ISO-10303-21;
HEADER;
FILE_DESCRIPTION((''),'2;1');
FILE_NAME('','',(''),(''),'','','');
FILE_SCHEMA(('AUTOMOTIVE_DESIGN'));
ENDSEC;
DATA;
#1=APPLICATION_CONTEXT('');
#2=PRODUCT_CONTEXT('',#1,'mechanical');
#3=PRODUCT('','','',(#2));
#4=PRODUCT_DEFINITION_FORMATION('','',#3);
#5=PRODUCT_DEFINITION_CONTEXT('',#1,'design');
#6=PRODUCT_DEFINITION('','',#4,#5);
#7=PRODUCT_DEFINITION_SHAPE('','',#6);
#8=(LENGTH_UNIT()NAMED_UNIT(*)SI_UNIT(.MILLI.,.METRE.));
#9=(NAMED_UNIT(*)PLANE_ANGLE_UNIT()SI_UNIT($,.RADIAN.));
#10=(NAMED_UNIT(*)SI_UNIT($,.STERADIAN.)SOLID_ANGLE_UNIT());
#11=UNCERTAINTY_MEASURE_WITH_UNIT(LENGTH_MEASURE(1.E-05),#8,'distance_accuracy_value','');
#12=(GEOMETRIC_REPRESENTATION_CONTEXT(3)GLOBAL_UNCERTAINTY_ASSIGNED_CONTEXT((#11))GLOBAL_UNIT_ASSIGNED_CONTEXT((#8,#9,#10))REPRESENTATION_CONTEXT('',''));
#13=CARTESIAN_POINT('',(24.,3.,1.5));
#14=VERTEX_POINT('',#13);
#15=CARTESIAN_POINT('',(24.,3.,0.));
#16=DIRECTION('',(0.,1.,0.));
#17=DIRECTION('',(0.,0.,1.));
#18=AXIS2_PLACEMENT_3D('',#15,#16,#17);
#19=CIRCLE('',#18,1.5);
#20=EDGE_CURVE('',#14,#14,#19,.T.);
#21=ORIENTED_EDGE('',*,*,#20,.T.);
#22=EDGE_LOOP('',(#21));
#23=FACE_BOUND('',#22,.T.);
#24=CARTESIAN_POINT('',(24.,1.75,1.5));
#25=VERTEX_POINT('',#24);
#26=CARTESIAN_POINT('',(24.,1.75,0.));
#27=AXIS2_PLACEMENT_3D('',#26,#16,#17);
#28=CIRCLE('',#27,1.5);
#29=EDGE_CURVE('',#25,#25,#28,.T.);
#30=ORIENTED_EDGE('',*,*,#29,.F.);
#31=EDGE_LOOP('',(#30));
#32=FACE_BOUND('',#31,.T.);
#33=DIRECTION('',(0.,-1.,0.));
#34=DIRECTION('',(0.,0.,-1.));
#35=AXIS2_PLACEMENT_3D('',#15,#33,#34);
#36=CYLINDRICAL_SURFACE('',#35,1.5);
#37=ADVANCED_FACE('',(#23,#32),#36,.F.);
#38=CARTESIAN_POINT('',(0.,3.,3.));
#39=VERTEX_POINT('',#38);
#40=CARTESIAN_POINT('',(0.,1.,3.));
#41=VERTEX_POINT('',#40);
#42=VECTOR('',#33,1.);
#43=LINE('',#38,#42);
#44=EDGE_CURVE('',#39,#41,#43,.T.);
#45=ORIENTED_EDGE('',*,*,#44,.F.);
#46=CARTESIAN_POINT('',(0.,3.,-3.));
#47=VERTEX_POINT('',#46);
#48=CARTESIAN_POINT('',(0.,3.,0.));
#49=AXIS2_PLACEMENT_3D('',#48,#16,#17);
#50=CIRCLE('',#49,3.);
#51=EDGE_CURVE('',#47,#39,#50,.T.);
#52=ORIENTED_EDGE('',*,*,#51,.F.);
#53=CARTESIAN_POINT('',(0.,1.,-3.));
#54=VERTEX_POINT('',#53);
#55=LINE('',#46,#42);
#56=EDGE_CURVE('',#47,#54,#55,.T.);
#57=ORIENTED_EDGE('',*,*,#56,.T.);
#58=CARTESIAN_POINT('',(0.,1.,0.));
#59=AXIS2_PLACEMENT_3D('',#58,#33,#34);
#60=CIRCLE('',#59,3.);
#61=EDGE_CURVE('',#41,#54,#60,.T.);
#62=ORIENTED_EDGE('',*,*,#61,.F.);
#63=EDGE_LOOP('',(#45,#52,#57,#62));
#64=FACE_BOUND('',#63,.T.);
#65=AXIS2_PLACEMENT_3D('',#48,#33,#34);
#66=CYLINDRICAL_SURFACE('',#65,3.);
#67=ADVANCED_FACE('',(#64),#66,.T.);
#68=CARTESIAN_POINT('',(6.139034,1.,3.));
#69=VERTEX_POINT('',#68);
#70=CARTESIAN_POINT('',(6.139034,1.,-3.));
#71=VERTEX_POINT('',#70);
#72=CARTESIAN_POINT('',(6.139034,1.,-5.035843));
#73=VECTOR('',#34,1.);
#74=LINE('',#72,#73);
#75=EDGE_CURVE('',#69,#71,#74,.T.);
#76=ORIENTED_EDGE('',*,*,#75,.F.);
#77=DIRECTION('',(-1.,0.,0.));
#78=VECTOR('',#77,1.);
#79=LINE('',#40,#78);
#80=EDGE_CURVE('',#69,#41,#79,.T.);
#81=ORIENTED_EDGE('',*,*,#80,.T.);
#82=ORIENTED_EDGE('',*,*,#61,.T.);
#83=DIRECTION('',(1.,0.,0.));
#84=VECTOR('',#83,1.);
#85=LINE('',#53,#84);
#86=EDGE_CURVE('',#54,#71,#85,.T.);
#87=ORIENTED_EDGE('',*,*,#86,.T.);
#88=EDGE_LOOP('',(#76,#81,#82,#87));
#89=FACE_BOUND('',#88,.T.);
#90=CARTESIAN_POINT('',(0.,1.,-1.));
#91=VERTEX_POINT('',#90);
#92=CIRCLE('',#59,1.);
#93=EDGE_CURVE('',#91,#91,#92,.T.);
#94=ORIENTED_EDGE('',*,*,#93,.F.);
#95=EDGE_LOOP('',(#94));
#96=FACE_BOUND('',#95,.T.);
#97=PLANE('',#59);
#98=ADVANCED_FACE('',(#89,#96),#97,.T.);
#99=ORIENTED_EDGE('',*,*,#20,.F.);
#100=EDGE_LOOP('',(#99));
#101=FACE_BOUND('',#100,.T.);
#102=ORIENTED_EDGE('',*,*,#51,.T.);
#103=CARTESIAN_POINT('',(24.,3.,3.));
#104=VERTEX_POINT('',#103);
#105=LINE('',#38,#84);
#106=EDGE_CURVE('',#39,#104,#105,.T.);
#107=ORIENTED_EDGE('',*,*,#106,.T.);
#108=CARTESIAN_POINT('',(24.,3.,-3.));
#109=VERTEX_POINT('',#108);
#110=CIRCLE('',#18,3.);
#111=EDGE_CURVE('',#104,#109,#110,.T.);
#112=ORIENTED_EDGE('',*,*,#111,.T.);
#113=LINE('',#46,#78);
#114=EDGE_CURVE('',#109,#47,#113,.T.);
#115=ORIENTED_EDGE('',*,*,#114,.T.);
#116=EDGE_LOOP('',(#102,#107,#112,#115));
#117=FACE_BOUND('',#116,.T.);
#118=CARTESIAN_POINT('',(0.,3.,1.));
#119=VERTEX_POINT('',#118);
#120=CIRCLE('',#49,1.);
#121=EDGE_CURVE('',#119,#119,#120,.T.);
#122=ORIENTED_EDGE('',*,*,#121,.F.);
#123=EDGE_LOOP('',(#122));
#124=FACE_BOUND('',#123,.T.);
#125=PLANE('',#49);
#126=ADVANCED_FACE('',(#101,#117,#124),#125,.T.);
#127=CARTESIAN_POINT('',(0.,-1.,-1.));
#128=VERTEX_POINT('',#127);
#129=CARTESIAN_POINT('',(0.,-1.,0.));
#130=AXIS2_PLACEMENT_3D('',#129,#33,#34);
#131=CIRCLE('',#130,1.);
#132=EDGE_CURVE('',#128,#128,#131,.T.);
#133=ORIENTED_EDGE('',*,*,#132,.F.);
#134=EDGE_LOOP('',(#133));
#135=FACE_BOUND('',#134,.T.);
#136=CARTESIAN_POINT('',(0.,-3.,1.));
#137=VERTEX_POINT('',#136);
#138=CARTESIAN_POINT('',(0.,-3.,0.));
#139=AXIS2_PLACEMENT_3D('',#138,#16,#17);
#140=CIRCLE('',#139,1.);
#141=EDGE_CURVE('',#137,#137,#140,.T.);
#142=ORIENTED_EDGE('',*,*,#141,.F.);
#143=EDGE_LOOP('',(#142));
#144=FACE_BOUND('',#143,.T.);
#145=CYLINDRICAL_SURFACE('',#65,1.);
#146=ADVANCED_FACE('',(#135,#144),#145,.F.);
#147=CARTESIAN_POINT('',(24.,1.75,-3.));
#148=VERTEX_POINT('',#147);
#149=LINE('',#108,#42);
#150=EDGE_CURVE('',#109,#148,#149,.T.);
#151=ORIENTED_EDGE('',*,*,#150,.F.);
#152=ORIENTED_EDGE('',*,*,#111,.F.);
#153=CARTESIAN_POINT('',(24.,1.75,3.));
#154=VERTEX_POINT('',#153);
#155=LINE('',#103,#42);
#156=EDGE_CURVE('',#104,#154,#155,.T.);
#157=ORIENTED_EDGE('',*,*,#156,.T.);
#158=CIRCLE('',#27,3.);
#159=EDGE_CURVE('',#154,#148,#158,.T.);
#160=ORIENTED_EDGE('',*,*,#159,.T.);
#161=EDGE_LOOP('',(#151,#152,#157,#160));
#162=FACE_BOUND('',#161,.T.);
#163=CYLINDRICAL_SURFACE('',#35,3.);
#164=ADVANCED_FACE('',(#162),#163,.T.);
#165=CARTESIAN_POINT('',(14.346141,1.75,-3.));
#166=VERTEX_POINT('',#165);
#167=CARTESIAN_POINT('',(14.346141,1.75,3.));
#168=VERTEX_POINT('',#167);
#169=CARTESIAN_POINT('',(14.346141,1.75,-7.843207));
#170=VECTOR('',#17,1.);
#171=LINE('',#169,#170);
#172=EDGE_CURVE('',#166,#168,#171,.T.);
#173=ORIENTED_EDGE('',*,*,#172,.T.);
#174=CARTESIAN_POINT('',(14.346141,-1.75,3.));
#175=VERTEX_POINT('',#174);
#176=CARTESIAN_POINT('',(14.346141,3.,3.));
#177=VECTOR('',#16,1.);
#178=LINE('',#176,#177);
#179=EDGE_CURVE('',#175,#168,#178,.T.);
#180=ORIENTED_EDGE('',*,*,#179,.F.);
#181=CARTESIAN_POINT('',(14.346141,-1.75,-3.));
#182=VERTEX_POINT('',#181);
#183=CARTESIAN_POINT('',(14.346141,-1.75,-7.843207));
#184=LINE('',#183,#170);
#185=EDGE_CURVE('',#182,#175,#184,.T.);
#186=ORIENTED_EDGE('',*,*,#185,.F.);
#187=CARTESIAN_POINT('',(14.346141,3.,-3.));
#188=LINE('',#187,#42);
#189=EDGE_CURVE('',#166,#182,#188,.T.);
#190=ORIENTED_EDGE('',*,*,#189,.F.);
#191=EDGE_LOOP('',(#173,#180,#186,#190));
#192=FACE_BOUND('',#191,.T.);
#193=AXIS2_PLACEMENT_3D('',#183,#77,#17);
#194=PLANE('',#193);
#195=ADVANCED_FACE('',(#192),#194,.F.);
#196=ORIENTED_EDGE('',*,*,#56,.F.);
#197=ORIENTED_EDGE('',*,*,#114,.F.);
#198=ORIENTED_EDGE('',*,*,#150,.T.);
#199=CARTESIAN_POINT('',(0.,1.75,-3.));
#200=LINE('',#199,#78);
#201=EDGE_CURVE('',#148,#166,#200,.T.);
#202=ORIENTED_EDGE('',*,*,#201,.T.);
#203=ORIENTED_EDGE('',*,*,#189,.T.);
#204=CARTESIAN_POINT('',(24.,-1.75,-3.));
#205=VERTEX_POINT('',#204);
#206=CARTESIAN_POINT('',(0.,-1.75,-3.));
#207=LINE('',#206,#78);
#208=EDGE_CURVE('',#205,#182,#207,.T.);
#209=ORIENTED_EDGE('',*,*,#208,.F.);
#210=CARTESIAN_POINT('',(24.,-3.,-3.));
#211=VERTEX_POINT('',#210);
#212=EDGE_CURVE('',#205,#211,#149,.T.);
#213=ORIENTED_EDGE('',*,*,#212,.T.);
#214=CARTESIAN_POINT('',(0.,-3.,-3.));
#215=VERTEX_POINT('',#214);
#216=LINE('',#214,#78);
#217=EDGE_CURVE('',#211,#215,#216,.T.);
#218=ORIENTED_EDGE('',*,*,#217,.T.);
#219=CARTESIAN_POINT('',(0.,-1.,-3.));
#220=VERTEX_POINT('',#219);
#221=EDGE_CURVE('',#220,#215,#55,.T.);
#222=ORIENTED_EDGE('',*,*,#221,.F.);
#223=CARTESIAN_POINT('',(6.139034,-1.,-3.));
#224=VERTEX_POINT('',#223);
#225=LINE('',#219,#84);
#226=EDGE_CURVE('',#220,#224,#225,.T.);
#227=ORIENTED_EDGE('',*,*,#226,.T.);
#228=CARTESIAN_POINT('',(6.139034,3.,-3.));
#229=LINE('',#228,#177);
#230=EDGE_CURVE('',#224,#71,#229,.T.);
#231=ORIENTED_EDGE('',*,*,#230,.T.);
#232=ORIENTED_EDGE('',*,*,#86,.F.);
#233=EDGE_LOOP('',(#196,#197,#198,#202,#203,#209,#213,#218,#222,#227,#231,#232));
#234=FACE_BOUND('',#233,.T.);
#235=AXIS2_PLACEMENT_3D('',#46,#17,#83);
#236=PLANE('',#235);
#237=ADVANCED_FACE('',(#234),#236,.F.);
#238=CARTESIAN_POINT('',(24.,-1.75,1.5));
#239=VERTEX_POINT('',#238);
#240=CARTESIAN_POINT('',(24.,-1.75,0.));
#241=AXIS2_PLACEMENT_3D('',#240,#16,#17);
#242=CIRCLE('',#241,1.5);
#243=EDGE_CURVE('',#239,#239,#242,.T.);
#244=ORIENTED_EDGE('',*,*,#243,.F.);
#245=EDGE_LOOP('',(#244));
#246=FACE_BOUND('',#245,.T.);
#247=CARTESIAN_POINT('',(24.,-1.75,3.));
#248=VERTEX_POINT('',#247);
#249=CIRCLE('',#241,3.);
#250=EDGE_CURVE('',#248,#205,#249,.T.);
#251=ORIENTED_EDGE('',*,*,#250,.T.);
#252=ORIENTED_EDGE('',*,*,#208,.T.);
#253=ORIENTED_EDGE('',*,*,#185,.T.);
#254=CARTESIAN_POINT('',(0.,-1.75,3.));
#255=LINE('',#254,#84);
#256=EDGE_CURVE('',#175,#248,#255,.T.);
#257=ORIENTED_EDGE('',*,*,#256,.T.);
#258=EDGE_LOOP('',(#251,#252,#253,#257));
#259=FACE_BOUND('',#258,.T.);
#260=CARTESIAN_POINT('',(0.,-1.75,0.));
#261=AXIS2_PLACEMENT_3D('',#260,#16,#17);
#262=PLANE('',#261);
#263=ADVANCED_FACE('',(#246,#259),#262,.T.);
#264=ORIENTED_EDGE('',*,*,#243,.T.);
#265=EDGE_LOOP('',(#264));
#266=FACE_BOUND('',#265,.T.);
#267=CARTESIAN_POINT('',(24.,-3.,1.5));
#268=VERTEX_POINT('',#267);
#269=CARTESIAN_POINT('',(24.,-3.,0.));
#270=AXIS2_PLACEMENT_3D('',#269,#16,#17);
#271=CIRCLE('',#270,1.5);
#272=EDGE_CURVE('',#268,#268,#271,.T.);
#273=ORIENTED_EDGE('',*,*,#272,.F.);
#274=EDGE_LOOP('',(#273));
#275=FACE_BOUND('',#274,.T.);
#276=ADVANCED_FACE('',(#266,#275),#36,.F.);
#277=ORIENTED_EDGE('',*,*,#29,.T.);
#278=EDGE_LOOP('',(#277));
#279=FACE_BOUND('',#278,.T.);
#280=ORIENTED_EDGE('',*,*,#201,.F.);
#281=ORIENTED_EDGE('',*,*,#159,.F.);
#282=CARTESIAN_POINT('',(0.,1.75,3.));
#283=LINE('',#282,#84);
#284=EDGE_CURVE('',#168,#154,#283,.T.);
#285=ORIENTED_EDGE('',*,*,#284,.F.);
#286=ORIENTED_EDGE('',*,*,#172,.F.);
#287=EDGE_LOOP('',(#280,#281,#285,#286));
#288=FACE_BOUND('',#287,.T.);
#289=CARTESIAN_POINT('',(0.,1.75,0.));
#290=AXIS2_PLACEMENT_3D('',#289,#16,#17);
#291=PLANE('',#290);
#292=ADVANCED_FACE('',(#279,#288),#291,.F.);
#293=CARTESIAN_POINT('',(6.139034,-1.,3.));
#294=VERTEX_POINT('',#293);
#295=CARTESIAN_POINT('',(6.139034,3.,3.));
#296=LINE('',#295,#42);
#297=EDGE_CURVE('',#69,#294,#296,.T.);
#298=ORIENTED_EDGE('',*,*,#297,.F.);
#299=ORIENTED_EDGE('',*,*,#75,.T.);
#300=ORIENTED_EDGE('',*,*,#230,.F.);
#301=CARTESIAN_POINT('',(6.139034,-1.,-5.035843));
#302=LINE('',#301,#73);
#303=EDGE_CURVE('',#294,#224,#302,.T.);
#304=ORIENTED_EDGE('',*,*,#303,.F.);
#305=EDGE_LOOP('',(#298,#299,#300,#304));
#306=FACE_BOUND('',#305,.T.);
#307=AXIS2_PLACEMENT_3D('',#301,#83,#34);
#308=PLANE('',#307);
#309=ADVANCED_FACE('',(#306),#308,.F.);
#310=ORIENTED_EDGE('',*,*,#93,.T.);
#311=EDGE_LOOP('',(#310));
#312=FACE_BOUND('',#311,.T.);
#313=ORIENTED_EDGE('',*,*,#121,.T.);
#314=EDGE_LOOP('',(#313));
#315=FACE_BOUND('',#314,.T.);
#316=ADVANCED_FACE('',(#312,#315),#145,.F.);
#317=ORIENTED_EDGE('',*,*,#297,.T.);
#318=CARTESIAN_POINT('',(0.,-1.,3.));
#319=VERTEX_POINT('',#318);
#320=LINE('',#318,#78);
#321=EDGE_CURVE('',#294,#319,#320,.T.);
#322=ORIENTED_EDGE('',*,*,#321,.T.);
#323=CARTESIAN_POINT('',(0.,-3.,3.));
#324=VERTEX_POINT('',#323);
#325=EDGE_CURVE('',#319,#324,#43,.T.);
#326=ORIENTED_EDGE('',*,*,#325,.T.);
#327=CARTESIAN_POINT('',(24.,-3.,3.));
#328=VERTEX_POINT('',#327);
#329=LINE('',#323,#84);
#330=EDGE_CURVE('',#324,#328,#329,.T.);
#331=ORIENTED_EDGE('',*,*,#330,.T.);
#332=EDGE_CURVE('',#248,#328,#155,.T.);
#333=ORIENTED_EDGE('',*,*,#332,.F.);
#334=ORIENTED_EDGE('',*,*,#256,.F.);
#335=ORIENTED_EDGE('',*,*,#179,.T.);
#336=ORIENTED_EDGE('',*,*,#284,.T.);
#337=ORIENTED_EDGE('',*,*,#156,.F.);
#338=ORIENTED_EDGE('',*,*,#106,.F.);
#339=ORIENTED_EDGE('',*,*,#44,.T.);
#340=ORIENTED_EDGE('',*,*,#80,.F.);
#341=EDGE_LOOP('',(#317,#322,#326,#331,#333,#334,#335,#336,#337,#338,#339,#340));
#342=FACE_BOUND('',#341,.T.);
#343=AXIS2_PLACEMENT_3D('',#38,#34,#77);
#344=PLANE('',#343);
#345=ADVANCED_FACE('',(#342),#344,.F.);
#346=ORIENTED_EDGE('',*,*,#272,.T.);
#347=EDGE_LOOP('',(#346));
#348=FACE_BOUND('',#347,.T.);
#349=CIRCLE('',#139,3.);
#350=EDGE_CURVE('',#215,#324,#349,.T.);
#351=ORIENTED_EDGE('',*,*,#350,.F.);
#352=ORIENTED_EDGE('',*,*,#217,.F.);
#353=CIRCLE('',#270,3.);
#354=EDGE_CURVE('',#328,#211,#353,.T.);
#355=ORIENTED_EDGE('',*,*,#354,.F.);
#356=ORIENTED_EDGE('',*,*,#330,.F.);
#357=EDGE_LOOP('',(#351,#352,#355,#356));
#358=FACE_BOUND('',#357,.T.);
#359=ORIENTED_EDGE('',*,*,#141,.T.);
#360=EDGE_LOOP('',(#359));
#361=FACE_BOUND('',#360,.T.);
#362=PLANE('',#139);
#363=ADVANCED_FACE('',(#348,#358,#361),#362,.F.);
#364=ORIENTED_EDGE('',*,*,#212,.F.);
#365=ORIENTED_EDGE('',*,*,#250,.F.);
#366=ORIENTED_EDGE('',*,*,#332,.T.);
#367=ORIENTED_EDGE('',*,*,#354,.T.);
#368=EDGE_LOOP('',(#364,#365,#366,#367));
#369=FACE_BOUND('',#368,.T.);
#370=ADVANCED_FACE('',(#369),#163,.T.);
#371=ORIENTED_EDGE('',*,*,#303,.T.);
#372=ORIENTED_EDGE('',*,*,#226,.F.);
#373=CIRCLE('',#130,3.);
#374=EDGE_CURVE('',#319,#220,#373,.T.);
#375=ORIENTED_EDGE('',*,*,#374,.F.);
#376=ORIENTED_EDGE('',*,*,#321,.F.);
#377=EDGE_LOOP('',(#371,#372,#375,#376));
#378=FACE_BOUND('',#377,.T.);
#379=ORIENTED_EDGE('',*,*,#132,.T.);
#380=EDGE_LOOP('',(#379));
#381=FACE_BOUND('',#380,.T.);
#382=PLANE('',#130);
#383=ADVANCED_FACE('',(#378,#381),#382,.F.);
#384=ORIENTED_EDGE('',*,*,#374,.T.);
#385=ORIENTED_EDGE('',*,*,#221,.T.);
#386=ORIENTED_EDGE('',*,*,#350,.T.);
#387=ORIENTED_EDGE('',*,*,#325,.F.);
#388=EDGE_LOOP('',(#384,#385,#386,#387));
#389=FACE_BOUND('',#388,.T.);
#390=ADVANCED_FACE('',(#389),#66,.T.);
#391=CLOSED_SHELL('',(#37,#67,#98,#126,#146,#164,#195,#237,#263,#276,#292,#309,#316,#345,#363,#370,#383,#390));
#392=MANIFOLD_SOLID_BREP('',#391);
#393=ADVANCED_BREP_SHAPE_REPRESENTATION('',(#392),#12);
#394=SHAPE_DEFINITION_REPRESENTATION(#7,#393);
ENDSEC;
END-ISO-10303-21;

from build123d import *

# Parameters (mm, degrees)
SKETCH_1_R          = 1.5
SKETCH_1_R_2        = 1
EXTRUDE_1_DEPTH     = 3
SKETCH_6_W          = 31.511370345
SKETCH_6_H          = 11.605197544
CUT_EXTRUDE_2_DEPTH = 1.75
SKETCH_7_W          = 12.660216836
SKETCH_7_H          = 9.649927943
CUT_EXTRUDE_3_DEPTH = 1


with BuildPart() as part:
    # 草图1 → 凸台-拉伸1 (new, symmetric)
    with BuildSketch(Plane(origin=(0, 0, 0), x_dir=(1, 0, 0), z_dir=(0, 1, 0))):
        with BuildLine():
            Line((0, 3), (24, 3))
            ThreePointArc((24, 3), (27, 0), (24, -3))
            Line((24, -3), (0, -3))
            ThreePointArc((0, -3), (-3, 0), (0, 3))
        make_face()
        with Locations(Location((24, 0, 0), (0, 0, 270))):
            Circle(SKETCH_1_R, mode=Mode.SUBTRACT)
        with Locations(Location((0, 0, 0), (0, 0, 270))):
            Circle(SKETCH_1_R_2, mode=Mode.SUBTRACT)
    extrude(amount=EXTRUDE_1_DEPTH, both=True)

    # 草图6 → 切除-拉伸2 (cut, symmetric)
    with BuildSketch(Plane(origin=(0, 0, 0), x_dir=(1, 0, 0), z_dir=(0, 1, 0))):
        with Locations((30.101826092, 2.040608699)):
            Rectangle(SKETCH_6_W, SKETCH_6_H)
    extrude(amount=CUT_EXTRUDE_2_DEPTH, both=True, mode=Mode.SUBTRACT)

    # 草图7 → 切除-拉伸3 (cut, symmetric)
    with BuildSketch(Plane(origin=(0, 0, 0), x_dir=(1, 0, 0), z_dir=(0, 1, 0))):
        with Locations((-0.191074288, 0.210879474)):
            Rectangle(SKETCH_7_W, SKETCH_7_H)
    extrude(amount=CUT_EXTRUDE_3_DEPTH, both=True, mode=Mode.SUBTRACT)


solid = part.part
